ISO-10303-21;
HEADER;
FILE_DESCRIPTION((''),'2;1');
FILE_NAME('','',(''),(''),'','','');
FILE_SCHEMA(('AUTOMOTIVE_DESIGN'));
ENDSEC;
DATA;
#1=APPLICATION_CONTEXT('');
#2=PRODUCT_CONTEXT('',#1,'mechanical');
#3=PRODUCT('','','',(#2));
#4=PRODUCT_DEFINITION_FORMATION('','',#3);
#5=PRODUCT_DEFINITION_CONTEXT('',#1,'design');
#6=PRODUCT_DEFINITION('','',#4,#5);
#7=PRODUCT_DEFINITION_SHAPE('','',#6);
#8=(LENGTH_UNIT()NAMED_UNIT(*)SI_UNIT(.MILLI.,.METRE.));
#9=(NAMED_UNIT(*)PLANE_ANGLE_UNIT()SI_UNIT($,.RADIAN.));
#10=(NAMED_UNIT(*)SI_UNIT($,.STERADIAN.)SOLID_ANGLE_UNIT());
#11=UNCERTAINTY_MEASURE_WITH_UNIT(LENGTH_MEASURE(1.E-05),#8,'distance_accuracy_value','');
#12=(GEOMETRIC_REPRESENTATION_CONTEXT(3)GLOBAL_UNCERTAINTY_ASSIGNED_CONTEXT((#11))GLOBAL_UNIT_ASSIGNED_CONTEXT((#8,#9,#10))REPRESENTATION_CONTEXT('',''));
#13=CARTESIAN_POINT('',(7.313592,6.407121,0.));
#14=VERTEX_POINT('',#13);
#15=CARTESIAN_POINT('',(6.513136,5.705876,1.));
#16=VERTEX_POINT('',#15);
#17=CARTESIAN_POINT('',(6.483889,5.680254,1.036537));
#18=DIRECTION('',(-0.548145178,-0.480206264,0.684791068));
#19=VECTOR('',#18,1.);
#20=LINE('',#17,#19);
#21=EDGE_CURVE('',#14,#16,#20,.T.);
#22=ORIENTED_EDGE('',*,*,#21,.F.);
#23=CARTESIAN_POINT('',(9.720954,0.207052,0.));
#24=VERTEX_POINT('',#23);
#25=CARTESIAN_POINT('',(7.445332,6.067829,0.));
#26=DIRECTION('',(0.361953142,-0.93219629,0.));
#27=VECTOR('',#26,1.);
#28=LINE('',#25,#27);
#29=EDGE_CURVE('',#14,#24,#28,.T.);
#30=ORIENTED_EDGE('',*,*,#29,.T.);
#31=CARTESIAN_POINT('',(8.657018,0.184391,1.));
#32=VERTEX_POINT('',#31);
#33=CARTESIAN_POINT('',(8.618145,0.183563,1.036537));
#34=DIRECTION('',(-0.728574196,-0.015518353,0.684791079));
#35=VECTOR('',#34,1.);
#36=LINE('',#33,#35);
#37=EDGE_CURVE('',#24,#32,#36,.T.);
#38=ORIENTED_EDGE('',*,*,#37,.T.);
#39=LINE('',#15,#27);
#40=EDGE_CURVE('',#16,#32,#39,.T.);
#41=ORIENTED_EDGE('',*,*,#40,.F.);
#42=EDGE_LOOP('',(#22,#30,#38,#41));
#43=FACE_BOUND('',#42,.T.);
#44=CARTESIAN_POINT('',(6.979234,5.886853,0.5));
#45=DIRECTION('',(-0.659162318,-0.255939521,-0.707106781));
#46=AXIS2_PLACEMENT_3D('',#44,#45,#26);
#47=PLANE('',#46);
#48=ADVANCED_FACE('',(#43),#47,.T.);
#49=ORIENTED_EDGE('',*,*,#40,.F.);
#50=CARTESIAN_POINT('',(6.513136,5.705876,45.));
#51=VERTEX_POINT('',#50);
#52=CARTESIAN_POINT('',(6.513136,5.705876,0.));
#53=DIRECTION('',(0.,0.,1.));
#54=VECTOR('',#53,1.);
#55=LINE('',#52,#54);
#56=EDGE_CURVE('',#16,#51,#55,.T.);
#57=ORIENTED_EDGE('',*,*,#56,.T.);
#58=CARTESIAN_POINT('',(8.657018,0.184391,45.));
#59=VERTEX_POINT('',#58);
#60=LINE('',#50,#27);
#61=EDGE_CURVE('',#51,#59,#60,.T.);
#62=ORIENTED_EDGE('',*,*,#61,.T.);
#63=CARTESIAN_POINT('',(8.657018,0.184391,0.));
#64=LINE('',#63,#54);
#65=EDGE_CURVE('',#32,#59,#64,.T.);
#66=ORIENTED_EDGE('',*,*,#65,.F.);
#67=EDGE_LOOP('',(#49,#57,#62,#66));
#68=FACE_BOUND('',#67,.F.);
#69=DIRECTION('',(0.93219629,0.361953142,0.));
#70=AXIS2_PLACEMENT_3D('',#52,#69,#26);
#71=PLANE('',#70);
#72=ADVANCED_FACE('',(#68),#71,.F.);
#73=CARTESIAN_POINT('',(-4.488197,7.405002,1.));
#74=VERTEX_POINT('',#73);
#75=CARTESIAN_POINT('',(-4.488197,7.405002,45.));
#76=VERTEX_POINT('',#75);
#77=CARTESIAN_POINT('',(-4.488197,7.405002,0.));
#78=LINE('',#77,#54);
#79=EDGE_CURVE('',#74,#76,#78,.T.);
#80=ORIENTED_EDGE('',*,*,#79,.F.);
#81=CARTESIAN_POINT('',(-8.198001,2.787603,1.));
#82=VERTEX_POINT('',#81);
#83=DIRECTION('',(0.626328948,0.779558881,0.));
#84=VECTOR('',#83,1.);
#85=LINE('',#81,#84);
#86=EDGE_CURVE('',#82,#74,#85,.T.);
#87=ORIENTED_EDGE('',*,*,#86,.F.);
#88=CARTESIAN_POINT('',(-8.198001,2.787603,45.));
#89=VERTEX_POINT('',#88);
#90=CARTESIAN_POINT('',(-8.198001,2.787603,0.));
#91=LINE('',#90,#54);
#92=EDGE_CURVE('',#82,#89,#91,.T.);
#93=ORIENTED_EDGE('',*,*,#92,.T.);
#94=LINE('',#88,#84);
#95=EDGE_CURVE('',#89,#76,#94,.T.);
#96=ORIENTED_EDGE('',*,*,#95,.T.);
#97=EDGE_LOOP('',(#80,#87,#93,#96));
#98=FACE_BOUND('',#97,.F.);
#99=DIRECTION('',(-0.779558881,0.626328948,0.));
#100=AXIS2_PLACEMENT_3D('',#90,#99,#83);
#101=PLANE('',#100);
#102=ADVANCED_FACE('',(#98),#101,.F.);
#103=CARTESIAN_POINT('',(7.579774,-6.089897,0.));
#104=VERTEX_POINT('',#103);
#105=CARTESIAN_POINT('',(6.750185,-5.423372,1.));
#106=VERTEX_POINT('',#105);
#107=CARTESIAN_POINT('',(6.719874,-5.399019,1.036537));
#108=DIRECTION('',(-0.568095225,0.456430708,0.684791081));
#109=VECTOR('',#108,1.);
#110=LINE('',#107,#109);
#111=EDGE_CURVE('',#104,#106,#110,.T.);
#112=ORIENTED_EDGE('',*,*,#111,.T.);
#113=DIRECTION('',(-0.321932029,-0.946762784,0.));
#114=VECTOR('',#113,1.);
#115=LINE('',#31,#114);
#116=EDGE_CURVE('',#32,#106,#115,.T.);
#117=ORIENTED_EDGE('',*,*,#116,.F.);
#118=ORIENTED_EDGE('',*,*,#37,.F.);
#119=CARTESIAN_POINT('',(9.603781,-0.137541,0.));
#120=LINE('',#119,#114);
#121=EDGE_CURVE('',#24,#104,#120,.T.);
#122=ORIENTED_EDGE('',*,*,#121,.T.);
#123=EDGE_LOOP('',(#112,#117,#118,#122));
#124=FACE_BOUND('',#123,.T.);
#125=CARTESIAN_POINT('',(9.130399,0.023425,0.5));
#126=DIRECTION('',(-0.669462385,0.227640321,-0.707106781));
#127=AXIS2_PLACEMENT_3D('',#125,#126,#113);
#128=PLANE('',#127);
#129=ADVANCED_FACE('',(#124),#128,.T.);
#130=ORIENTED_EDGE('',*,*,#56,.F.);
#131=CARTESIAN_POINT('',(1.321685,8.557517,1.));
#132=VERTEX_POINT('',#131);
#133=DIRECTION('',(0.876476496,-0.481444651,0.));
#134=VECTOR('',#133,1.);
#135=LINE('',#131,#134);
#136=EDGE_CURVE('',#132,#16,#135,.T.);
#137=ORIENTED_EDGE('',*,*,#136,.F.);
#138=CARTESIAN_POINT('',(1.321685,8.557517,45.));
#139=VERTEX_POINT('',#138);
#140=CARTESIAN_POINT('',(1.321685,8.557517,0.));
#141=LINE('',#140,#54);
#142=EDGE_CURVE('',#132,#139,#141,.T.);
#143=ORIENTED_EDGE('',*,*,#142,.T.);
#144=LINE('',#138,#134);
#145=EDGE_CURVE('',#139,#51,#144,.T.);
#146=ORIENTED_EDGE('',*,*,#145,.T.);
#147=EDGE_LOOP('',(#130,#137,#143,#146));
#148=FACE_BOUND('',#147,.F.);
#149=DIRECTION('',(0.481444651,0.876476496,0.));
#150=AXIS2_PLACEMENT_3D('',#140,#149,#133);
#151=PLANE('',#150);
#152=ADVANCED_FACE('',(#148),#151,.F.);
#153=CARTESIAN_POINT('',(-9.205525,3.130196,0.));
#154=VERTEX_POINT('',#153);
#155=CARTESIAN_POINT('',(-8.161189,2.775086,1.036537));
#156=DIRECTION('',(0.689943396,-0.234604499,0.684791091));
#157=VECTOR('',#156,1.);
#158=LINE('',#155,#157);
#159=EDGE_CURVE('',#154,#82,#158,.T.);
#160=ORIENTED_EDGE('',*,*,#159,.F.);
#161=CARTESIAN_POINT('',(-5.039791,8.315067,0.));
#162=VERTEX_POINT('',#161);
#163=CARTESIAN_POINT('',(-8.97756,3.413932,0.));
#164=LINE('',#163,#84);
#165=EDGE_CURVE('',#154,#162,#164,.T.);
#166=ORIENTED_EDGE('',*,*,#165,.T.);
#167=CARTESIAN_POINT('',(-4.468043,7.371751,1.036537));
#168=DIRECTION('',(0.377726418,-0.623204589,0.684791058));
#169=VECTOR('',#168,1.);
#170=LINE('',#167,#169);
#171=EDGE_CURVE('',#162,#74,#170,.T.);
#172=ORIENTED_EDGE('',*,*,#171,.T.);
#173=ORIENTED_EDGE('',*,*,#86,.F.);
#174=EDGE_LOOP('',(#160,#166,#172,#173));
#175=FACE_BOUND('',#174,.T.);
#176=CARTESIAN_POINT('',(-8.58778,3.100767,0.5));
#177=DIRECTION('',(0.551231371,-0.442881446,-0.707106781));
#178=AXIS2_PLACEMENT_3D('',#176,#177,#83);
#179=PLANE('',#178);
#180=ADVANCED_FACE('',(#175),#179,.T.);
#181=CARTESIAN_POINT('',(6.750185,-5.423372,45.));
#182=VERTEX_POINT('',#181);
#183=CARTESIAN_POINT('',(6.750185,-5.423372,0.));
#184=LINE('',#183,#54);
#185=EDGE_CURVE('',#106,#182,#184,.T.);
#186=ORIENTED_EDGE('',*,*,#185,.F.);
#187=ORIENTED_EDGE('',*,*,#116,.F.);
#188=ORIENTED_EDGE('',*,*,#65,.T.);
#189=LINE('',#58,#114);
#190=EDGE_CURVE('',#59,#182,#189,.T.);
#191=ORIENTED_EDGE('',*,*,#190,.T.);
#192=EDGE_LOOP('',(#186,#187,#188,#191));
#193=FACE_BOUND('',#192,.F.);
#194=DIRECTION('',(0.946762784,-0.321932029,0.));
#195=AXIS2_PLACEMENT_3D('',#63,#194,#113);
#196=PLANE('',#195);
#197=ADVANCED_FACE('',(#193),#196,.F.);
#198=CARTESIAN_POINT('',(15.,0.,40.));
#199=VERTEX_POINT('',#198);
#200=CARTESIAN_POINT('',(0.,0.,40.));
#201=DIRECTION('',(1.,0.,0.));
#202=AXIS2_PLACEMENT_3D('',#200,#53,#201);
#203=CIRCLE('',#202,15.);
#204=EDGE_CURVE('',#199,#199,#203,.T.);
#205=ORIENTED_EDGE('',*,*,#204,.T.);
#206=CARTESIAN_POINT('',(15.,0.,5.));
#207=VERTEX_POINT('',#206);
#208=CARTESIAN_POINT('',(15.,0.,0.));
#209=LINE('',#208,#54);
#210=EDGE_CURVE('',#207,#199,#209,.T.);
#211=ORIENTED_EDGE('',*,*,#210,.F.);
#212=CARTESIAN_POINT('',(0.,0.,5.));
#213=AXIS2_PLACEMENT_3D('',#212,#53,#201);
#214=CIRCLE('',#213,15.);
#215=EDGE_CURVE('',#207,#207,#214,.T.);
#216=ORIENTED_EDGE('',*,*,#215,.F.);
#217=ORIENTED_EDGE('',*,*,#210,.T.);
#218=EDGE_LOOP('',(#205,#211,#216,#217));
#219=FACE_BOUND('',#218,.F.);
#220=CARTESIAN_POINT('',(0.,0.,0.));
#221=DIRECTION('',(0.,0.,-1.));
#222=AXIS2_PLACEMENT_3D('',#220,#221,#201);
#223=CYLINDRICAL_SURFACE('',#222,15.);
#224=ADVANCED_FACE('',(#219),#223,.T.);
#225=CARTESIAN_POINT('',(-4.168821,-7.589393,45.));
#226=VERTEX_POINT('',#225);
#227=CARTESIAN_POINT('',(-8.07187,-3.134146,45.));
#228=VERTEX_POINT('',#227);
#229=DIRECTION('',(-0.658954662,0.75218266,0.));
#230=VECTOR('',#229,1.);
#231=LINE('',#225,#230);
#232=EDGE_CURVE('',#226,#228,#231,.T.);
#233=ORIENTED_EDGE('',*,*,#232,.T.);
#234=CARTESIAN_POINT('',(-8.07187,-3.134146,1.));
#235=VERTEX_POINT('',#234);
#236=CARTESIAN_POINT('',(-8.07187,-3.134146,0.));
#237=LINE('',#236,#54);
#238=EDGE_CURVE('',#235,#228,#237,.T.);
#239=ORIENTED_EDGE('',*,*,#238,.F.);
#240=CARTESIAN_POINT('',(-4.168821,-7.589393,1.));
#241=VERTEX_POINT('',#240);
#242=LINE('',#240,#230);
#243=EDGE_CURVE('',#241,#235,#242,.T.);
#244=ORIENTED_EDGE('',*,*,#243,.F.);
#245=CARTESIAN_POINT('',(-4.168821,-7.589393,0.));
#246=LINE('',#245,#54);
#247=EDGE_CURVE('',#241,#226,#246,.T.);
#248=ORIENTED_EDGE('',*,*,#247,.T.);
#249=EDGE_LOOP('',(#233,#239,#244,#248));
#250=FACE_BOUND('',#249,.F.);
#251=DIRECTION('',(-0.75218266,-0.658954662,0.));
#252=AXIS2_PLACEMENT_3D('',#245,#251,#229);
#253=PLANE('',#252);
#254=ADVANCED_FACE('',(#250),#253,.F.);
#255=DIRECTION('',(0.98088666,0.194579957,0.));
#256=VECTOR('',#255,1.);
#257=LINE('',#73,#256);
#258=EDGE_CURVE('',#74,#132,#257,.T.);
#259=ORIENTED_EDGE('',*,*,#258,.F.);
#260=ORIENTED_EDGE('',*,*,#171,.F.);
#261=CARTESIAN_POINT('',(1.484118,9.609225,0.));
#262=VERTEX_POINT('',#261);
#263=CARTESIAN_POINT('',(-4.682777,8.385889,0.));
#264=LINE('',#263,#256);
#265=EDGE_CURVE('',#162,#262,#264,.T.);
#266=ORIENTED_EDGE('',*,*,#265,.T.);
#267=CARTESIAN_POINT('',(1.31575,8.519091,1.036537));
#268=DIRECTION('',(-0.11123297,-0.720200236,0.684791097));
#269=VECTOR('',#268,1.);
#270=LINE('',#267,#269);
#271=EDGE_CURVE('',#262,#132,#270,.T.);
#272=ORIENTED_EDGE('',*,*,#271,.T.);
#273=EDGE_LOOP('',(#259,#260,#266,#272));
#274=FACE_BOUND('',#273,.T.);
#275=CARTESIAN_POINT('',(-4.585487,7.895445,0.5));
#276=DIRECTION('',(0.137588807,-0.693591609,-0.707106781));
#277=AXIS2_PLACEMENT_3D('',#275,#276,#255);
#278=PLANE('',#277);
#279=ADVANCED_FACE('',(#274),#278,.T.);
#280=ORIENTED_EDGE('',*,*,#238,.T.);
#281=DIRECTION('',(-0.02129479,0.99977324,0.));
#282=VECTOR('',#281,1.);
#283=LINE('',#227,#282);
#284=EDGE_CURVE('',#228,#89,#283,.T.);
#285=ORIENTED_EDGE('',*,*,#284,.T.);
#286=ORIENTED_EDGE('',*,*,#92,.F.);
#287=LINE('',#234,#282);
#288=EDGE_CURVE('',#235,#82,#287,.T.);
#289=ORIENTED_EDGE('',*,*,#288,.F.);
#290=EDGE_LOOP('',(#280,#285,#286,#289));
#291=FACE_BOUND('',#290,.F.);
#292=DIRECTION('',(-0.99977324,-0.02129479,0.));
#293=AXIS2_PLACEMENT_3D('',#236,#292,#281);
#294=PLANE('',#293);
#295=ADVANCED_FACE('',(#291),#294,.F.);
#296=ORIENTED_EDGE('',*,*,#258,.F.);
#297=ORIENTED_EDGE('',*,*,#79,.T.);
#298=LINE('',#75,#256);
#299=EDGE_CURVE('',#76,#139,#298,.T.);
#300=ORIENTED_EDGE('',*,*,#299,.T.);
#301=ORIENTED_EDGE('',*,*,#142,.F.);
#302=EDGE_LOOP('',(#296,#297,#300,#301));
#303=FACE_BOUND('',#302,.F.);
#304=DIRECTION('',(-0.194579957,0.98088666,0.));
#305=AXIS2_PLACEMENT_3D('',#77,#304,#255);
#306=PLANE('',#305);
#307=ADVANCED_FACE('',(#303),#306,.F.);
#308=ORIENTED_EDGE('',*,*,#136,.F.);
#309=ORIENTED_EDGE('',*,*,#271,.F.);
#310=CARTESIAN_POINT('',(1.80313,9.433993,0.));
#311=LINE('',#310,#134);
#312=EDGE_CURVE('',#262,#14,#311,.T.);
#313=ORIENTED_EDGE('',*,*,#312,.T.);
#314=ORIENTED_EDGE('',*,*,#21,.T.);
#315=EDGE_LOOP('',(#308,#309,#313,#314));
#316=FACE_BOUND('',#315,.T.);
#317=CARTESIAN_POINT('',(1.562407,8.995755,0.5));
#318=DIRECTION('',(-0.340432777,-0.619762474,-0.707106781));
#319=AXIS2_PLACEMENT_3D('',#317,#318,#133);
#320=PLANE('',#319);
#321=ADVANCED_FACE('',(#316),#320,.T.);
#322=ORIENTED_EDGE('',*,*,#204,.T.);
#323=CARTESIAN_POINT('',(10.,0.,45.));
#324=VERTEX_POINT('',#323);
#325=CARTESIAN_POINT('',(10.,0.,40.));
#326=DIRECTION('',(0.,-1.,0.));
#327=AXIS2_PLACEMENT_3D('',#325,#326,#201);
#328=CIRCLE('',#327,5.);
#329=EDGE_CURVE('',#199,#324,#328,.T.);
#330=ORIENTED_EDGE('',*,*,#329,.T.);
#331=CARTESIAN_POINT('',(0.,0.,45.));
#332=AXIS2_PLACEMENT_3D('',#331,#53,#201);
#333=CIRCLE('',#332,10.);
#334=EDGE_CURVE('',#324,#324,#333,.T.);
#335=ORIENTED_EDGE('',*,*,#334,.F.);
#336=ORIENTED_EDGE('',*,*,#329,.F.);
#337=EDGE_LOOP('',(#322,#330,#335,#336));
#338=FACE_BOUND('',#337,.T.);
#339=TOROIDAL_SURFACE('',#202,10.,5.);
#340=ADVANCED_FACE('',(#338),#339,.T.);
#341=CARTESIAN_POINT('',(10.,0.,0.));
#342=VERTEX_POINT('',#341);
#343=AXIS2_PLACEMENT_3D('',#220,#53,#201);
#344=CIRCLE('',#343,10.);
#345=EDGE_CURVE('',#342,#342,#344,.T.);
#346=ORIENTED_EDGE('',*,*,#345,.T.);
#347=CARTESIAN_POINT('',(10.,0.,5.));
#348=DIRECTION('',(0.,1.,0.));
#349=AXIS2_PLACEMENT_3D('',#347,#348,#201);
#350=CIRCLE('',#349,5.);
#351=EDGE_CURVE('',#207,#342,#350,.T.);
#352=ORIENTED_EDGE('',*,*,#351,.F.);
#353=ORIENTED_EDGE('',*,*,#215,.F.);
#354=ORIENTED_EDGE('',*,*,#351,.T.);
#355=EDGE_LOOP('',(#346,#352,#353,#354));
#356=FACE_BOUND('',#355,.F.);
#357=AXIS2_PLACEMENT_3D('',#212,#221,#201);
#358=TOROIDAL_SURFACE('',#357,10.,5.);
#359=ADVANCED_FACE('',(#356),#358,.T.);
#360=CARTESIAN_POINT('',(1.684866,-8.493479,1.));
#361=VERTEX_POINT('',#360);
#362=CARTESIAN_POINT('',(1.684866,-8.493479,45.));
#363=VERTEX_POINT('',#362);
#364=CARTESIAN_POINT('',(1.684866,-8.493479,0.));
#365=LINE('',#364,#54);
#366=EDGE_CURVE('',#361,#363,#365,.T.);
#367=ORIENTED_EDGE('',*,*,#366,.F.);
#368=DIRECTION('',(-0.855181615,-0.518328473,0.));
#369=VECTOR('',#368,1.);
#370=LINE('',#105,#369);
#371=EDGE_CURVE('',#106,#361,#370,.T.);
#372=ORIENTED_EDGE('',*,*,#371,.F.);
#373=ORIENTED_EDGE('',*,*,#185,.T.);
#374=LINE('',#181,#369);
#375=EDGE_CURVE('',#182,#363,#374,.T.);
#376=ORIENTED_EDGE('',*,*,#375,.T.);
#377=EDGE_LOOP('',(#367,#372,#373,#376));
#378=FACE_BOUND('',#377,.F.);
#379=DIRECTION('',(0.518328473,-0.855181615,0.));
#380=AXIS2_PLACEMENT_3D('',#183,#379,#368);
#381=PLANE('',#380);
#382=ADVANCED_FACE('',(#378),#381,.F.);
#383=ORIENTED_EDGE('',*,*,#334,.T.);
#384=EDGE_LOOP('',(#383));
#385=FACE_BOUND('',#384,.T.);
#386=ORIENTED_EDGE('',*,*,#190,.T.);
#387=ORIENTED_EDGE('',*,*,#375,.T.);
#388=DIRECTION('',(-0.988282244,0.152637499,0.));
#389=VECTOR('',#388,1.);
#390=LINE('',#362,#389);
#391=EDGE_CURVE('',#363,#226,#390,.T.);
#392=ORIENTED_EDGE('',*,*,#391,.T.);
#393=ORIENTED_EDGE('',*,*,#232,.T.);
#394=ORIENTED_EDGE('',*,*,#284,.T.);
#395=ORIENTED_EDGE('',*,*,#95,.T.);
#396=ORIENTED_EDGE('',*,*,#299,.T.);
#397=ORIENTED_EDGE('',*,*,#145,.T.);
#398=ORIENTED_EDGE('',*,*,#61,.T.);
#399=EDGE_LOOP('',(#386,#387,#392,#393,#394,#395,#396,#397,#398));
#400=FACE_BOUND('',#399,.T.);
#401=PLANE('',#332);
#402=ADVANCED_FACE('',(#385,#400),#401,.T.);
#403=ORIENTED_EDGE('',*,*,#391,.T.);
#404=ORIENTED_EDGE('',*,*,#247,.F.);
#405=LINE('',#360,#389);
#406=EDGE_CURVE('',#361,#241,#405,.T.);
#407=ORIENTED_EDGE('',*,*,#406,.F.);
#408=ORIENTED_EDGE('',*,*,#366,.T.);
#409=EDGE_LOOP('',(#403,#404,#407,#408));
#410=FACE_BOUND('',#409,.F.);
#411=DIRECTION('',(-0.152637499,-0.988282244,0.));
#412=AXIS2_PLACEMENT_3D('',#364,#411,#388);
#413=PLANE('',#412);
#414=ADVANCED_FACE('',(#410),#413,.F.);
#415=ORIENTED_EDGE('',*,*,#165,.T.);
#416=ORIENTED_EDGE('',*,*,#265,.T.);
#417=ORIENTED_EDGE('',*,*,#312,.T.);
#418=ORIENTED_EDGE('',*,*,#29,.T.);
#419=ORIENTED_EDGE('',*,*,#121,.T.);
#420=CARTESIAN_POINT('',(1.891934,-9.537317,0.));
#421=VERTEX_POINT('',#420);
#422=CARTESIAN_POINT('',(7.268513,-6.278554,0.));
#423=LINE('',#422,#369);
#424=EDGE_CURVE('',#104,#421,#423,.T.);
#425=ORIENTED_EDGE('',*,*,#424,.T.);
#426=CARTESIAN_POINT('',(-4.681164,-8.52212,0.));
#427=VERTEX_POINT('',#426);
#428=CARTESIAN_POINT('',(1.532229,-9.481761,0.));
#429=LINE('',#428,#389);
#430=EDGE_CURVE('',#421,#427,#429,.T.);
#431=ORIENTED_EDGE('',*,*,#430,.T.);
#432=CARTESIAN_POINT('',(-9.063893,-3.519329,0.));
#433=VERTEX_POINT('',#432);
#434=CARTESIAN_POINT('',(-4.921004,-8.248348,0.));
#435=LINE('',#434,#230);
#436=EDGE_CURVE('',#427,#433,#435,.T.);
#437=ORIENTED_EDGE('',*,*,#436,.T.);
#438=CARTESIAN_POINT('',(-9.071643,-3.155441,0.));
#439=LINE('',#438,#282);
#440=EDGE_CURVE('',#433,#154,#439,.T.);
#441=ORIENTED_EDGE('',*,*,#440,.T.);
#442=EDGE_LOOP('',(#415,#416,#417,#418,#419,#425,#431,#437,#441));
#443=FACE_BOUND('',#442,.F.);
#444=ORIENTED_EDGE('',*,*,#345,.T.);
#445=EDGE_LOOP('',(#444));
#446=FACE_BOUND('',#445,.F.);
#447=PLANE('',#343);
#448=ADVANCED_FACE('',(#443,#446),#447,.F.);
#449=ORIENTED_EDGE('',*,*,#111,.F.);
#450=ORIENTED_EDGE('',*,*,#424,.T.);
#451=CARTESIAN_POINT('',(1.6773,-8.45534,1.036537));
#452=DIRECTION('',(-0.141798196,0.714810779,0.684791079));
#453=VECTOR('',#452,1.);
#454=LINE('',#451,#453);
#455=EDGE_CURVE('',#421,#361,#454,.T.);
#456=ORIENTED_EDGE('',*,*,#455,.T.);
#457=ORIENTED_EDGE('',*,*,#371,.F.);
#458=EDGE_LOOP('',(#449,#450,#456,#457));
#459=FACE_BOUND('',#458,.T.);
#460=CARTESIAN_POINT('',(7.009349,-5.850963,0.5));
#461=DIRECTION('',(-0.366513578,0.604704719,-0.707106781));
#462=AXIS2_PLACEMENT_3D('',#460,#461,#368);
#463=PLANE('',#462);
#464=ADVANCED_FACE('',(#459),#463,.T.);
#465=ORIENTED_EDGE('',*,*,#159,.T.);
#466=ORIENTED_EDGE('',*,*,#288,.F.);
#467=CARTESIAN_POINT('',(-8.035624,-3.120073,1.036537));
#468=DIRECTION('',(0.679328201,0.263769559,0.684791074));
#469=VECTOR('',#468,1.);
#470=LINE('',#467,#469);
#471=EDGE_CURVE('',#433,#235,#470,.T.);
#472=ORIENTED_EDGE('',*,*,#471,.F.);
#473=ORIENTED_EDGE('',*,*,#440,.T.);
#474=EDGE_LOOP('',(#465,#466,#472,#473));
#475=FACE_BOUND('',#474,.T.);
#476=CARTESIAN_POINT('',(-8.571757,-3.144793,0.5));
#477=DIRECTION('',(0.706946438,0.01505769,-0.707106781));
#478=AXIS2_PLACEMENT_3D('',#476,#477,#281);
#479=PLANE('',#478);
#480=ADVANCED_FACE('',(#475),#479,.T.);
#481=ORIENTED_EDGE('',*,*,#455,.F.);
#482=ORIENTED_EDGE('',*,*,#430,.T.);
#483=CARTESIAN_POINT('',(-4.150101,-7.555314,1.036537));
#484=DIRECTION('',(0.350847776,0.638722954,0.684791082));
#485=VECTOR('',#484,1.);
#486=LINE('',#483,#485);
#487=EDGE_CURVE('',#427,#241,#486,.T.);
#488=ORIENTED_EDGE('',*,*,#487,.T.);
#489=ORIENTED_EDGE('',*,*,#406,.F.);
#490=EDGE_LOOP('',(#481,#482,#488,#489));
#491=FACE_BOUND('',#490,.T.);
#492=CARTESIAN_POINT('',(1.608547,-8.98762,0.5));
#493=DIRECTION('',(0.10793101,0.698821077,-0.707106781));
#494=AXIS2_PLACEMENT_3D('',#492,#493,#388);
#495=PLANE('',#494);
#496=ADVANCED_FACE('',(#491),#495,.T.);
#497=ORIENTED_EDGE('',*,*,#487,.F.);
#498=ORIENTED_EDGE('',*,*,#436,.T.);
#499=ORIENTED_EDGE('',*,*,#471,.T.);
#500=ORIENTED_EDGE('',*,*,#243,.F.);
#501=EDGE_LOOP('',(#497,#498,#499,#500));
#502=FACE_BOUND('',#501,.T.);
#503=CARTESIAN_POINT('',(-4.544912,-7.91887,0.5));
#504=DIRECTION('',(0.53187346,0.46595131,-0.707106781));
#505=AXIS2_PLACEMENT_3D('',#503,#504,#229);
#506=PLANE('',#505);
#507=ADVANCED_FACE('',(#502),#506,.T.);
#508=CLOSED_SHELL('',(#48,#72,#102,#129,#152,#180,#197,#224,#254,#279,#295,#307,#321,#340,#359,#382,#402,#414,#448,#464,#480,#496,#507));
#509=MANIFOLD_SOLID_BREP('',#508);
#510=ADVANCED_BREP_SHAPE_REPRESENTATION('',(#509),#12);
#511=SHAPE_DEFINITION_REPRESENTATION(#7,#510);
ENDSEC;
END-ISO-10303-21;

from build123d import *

# Parameters (mm, degrees)
F0_R     = 15
F1_DEPTH = 45
F2_R     = 5
F3_SIZE  = 1


with BuildPart() as f1:
    # F0 (on Top) → F1 (new body)
    with BuildSketch(Plane.XY):
        Circle(F0_R)
        Polygon((-4.488197, 7.405002), (1.321685, 8.557517), (6.513136, 5.705876), (8.657018, 0.184391), (6.750185, -5.423372), (1.684866, -8.493479), (-4.168821, -7.589393), (-8.07187, -3.134146), (-8.198001, 2.787603), align=None, mode=Mode.SUBTRACT)
    extrude(amount=F1_DEPTH)

    # F2
    f2_edges = [f1.edges().sort_by_distance(p)[0] for p in [
        (-15, 0, 45),
        (-15, 0, 0),
    ]]
    fillet(f2_edges, radius=F2_R)

    # F3
    f3_edges = [f1.edges().sort_by_distance(p)[0] for p in [
        (4.217525, -6.958425, 0),
        (-1.241978, -8.041436, 0),
        (-6.120346, -5.361769, 0),
        (-8.134936, -0.173271, 0),
        (-6.343099, 5.096302, 0),
        (-1.583256, 7.98126, 0),
        (3.917411, 7.131697, 0),
        (7.585077, 2.945134, 0),
        (7.703601, -2.61949, 0),
    ]]
    chamfer(f3_edges, length=F3_SIZE)


solid = f1.part
